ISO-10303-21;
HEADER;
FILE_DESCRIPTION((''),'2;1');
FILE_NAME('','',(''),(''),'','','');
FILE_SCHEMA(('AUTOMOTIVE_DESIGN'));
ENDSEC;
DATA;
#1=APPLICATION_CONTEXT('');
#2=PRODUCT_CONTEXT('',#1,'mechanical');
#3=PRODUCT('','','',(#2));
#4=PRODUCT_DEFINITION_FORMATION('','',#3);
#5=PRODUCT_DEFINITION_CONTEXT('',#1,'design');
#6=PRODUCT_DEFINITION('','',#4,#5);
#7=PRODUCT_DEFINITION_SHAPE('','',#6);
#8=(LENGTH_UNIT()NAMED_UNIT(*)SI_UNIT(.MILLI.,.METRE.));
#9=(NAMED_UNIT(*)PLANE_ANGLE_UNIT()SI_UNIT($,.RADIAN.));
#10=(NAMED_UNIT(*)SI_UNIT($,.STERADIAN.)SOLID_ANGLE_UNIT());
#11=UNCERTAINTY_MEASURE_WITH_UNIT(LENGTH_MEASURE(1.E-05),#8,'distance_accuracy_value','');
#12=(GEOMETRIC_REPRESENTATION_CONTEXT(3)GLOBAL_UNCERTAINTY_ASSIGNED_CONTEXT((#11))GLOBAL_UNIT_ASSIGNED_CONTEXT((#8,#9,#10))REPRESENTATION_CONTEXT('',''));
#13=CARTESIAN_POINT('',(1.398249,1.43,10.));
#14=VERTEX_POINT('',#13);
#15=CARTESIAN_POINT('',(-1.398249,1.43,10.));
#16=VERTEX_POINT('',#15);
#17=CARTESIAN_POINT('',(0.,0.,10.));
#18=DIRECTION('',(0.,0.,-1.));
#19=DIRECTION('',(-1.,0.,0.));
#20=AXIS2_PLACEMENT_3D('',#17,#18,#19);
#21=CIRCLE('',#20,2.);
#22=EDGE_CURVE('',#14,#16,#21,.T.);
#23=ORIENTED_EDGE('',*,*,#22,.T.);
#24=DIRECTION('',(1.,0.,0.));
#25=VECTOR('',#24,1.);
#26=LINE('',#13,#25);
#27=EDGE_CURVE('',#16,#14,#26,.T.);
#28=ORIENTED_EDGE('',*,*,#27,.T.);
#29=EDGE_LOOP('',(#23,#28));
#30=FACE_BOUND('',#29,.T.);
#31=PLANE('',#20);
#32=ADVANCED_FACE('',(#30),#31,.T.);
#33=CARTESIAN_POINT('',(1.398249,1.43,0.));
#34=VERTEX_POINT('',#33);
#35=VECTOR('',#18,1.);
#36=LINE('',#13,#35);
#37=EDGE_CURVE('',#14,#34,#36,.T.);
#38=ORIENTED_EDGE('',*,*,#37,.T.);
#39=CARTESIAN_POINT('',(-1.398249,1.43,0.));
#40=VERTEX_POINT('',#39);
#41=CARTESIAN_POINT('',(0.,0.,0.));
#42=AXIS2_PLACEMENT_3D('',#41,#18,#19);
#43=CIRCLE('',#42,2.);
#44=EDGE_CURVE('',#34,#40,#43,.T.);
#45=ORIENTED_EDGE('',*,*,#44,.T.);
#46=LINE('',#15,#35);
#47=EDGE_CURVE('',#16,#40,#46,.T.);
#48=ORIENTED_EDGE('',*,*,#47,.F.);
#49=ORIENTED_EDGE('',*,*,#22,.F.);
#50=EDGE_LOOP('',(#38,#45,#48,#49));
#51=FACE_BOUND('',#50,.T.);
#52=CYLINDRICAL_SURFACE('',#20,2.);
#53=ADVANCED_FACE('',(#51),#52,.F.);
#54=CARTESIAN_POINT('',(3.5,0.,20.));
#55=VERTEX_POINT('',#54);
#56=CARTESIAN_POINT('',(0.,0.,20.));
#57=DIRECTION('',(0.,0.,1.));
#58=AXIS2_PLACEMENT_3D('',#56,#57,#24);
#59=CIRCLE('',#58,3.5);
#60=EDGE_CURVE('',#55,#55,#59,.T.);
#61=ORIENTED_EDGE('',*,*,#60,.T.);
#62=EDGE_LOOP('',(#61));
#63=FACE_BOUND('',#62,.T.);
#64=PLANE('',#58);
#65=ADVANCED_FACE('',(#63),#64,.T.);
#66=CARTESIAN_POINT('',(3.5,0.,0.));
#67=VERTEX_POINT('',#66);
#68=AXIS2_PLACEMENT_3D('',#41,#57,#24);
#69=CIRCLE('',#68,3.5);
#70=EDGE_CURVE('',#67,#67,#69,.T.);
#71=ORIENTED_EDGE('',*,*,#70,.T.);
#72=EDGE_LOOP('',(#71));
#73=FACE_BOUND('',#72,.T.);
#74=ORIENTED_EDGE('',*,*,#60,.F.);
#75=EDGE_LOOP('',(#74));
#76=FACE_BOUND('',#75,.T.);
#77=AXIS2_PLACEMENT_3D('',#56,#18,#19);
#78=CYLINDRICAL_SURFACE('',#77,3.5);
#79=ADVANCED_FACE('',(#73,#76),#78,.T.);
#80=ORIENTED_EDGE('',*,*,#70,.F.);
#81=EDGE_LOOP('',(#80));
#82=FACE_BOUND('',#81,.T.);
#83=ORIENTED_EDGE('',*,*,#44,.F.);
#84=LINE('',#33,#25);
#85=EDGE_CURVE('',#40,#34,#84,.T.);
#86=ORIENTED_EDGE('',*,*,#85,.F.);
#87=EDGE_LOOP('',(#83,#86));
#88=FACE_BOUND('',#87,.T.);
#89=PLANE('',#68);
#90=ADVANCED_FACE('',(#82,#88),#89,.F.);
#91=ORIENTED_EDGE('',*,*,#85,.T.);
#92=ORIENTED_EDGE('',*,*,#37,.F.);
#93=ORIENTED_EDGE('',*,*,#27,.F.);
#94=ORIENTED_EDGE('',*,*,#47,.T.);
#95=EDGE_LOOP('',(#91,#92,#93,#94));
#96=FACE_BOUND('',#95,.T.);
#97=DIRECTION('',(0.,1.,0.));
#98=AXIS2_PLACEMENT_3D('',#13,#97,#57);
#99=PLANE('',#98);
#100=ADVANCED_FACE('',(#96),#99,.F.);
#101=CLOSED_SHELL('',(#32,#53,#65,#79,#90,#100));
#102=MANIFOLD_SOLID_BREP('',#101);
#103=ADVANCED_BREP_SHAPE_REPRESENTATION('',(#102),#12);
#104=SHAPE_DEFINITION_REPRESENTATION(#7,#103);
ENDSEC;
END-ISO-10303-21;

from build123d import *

# Parameters (mm, degrees)
SKETCH1_R           = 3.5
BOSS_EXTRUDE1_DEPTH = 20
CUT_EXTRUDE1_DEPTH  = 10


with BuildPart() as part:
    # Sketch1 → Boss-Extrude1 (new body)
    with BuildSketch(Plane.XY):
        Circle(SKETCH1_R)
    extrude(amount=BOSS_EXTRUDE1_DEPTH)

    # Sketch2 → Cut-Extrude1 (cut)
    with BuildSketch(Plane(origin=(0, 0, 0), x_dir=(-1, 0, 0), z_dir=(0, 0, -1))):
        with BuildLine():
            Line((-1.398248905, 1.43), (1.398248905, 1.43))
            ThreePointArc((1.398248905, 1.43), (0, -2), (-1.398248905, 1.43))
        make_face()
    extrude(amount=-CUT_EXTRUDE1_DEPTH, mode=Mode.SUBTRACT)


solid = part.part
